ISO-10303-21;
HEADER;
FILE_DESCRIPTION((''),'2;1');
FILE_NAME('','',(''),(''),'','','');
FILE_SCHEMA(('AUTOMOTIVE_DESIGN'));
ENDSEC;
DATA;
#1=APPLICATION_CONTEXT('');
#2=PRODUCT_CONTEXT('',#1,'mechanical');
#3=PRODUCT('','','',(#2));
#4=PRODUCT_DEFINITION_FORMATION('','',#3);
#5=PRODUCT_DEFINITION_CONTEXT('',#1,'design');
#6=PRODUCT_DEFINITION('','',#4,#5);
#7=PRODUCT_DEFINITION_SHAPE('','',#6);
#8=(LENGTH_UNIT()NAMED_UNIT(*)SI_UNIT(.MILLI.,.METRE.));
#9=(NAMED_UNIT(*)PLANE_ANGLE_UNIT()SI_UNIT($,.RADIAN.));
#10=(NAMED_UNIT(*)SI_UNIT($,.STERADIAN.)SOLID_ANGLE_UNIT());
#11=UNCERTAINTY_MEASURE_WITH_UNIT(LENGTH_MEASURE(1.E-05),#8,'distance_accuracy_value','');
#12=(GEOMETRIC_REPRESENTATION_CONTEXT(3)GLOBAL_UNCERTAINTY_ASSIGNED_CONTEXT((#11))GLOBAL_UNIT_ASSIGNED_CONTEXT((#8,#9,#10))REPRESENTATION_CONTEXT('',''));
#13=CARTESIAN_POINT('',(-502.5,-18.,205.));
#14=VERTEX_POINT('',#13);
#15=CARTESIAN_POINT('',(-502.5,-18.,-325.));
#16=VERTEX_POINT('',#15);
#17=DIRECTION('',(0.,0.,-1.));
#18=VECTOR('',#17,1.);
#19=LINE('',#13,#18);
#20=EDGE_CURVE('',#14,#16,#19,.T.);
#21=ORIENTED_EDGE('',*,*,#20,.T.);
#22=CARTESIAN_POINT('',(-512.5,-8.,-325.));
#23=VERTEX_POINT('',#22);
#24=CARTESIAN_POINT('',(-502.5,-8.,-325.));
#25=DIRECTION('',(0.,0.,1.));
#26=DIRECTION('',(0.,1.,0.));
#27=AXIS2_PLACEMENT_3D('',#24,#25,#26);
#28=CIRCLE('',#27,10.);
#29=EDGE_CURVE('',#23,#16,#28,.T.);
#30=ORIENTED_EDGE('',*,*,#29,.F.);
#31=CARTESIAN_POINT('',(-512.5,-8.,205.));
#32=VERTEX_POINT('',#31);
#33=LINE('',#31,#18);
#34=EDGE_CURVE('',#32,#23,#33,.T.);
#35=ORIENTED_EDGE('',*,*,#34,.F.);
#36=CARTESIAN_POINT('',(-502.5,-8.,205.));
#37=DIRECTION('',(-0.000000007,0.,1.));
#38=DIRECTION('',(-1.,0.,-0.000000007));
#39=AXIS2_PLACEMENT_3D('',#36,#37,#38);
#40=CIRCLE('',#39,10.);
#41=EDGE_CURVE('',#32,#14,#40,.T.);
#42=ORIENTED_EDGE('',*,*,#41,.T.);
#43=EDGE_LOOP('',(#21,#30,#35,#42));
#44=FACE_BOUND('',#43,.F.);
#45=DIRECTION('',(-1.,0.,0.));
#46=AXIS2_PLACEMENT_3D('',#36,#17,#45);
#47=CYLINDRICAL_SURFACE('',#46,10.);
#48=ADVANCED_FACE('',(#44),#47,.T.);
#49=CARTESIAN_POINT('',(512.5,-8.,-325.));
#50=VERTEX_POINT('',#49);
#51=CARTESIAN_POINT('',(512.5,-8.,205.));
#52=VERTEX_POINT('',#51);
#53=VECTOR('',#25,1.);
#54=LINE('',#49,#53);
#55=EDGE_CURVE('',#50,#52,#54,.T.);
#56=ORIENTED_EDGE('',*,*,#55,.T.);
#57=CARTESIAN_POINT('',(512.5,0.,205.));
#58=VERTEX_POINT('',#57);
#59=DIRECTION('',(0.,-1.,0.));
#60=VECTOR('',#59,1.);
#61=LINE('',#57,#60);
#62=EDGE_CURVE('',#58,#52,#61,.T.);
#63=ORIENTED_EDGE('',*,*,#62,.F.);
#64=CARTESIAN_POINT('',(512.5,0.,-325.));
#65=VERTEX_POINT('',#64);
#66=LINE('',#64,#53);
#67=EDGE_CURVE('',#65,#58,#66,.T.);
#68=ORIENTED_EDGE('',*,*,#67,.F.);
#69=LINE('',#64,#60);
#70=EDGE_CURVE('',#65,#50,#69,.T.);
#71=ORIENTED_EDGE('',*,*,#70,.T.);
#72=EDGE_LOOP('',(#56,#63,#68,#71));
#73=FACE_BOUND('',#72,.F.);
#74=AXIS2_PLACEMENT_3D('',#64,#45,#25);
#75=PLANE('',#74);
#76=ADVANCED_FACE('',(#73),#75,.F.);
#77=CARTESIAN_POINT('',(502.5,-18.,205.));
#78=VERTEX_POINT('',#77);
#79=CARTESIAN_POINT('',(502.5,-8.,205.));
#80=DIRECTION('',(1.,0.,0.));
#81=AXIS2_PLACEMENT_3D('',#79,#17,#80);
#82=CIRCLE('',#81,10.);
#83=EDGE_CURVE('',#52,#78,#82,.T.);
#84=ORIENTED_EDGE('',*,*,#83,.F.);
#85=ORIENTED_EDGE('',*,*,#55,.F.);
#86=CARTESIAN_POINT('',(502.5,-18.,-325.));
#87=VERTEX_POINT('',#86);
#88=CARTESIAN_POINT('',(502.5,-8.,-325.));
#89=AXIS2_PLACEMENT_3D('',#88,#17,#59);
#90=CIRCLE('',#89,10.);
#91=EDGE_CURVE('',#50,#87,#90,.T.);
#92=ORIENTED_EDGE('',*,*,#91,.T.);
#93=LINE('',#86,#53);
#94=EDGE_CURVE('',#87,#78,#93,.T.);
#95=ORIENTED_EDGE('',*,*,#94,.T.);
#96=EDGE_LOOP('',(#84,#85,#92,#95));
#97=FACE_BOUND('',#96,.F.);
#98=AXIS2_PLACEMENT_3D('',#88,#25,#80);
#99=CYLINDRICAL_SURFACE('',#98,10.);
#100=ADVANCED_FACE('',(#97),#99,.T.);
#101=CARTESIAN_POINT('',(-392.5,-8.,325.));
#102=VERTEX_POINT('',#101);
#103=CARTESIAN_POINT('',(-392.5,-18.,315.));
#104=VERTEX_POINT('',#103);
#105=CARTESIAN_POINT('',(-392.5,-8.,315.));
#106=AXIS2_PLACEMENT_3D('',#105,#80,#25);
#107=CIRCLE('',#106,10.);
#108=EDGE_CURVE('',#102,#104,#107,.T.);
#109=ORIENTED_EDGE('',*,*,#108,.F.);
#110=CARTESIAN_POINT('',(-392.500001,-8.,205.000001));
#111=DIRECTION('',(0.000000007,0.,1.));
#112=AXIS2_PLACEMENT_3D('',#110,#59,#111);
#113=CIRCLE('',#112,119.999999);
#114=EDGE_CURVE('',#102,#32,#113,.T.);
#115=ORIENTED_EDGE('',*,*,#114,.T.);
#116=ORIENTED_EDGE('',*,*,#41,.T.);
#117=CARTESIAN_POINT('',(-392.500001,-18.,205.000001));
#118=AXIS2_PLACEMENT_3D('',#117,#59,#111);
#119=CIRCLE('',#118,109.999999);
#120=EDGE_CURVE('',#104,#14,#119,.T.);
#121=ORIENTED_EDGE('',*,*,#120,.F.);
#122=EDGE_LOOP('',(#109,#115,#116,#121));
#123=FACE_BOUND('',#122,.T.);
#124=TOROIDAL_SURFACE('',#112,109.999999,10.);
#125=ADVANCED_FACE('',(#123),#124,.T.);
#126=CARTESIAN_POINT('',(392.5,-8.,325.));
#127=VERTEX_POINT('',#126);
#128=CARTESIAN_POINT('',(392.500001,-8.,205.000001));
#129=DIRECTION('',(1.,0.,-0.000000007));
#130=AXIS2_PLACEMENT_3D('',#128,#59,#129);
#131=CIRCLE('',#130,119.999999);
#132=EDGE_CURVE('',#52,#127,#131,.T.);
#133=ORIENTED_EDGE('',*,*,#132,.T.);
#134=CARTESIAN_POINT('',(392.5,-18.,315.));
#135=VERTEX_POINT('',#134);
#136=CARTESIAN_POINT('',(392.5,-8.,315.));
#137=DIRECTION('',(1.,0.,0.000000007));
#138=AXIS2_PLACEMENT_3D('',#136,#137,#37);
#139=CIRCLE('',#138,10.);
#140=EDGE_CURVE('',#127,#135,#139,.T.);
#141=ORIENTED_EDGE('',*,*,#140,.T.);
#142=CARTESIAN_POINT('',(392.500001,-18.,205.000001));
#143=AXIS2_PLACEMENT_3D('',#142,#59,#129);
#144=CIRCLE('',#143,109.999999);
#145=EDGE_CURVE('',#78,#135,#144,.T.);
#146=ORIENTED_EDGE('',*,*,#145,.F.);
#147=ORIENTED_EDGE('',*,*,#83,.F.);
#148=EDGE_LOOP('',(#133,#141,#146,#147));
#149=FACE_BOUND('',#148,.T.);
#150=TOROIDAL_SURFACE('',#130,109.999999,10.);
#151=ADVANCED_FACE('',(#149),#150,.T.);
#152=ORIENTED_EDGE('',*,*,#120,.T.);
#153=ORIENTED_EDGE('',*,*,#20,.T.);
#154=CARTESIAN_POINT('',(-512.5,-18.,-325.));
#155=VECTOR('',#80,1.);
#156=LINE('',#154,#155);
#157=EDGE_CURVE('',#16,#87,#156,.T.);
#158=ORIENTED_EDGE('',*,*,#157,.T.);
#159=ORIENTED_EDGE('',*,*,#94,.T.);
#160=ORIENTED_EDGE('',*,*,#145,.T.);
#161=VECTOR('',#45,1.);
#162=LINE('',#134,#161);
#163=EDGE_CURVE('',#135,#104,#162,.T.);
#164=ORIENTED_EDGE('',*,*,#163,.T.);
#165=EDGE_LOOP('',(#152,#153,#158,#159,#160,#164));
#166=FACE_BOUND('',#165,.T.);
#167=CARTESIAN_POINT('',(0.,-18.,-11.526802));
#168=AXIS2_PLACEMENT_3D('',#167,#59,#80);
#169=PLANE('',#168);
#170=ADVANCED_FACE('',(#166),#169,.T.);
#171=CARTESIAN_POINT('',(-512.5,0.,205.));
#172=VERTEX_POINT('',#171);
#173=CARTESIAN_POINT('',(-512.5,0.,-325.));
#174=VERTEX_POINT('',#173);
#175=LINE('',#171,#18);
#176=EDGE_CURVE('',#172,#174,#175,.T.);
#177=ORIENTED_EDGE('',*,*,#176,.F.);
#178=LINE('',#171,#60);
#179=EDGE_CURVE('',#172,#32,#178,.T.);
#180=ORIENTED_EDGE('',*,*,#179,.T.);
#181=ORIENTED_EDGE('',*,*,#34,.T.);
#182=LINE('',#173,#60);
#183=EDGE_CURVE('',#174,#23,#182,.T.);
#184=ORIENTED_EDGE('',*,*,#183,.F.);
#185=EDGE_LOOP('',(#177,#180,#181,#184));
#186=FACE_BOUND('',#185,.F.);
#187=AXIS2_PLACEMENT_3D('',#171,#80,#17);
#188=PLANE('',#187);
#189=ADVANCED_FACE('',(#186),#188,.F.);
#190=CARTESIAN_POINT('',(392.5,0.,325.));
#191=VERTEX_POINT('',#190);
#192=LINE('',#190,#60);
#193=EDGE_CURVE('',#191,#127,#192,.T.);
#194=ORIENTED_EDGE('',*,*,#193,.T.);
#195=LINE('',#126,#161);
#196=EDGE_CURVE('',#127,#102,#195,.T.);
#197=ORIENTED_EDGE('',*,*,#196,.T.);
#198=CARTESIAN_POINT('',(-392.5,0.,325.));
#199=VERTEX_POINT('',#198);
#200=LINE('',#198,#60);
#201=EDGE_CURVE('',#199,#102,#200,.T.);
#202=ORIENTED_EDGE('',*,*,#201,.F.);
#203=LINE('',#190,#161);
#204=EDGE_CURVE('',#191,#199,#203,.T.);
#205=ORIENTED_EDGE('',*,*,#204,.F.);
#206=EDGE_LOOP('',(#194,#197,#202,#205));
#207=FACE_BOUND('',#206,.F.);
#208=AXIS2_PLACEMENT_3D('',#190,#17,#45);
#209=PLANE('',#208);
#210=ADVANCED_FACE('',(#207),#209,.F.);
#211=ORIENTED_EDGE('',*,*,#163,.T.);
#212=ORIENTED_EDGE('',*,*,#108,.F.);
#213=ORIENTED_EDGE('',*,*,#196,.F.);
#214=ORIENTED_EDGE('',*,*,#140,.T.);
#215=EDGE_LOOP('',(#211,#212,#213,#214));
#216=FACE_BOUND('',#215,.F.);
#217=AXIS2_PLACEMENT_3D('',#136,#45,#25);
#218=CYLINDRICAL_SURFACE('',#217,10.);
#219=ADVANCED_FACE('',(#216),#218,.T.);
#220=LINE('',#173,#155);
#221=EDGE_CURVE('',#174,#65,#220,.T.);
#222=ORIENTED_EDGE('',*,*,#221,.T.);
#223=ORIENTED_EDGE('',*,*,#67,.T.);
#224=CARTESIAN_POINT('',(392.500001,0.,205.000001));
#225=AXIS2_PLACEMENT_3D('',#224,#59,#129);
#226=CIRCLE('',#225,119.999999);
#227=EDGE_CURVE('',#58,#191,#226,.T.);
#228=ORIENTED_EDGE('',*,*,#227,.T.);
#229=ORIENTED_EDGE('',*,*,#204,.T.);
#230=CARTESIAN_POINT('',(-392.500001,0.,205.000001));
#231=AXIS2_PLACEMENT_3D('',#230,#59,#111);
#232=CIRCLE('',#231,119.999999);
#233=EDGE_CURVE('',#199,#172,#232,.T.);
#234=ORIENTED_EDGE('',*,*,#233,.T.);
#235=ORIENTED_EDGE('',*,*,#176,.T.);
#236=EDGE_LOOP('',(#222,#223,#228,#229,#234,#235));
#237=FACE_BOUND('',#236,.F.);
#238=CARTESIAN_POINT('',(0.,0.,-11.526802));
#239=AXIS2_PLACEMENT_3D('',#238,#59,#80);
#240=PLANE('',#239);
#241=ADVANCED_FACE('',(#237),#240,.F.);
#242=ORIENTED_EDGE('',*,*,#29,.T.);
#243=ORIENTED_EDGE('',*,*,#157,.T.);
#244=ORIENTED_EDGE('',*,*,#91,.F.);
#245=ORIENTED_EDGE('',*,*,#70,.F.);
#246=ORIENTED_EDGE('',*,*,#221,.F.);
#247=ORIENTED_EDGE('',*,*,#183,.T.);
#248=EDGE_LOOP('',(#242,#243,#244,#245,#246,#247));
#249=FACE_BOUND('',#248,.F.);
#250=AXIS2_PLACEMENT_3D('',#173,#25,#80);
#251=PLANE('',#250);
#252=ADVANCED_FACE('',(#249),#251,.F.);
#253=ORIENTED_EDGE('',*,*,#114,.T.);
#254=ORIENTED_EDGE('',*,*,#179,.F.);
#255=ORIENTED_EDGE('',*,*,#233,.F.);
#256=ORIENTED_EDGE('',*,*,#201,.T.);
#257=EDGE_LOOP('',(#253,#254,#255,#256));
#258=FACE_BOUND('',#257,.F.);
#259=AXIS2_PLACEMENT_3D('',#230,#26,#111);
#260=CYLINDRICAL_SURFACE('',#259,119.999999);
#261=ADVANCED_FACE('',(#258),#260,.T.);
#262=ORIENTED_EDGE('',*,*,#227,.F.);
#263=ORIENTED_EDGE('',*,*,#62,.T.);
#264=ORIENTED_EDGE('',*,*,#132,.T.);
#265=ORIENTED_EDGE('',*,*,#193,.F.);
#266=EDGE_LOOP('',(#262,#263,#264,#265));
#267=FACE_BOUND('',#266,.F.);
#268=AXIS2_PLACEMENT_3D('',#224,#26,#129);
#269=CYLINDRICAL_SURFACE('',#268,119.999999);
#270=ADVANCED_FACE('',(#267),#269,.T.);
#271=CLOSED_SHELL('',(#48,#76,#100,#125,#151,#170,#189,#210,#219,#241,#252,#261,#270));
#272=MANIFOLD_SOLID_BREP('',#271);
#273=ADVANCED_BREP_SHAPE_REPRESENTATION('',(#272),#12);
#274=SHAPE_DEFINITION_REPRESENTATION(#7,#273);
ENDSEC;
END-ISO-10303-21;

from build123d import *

# Parameters (mm, degrees)
F1_DEPTH = 18
F2_R     = 10


with BuildPart() as f1:
    # F0 (on Front) → F1 (new body)
    with BuildSketch(Plane.XZ):
        with BuildLine():
            ThreePointArc((512.5, 205), (477.352814, 289.852814), (392.5, 325))
            Line((392.5, 325), (-392.5, 325))
            ThreePointArc((-392.5, 325), (-477.352814, 289.852814), (-512.5, 205))
            Line((-512.5, 205), (-512.5, -325))
            Line((-512.5, -325), (512.5, -325))
            Line((512.5, -325), (512.5, 205))
        make_face()
    extrude(amount=F1_DEPTH)

    # F2
    f2_edges = [f1.edges().sort_by_distance(p)[0] for p in [
        (0, -18, 325),
    ]]
    fillet(f2_edges, radius=F2_R)


solid = f1.part
